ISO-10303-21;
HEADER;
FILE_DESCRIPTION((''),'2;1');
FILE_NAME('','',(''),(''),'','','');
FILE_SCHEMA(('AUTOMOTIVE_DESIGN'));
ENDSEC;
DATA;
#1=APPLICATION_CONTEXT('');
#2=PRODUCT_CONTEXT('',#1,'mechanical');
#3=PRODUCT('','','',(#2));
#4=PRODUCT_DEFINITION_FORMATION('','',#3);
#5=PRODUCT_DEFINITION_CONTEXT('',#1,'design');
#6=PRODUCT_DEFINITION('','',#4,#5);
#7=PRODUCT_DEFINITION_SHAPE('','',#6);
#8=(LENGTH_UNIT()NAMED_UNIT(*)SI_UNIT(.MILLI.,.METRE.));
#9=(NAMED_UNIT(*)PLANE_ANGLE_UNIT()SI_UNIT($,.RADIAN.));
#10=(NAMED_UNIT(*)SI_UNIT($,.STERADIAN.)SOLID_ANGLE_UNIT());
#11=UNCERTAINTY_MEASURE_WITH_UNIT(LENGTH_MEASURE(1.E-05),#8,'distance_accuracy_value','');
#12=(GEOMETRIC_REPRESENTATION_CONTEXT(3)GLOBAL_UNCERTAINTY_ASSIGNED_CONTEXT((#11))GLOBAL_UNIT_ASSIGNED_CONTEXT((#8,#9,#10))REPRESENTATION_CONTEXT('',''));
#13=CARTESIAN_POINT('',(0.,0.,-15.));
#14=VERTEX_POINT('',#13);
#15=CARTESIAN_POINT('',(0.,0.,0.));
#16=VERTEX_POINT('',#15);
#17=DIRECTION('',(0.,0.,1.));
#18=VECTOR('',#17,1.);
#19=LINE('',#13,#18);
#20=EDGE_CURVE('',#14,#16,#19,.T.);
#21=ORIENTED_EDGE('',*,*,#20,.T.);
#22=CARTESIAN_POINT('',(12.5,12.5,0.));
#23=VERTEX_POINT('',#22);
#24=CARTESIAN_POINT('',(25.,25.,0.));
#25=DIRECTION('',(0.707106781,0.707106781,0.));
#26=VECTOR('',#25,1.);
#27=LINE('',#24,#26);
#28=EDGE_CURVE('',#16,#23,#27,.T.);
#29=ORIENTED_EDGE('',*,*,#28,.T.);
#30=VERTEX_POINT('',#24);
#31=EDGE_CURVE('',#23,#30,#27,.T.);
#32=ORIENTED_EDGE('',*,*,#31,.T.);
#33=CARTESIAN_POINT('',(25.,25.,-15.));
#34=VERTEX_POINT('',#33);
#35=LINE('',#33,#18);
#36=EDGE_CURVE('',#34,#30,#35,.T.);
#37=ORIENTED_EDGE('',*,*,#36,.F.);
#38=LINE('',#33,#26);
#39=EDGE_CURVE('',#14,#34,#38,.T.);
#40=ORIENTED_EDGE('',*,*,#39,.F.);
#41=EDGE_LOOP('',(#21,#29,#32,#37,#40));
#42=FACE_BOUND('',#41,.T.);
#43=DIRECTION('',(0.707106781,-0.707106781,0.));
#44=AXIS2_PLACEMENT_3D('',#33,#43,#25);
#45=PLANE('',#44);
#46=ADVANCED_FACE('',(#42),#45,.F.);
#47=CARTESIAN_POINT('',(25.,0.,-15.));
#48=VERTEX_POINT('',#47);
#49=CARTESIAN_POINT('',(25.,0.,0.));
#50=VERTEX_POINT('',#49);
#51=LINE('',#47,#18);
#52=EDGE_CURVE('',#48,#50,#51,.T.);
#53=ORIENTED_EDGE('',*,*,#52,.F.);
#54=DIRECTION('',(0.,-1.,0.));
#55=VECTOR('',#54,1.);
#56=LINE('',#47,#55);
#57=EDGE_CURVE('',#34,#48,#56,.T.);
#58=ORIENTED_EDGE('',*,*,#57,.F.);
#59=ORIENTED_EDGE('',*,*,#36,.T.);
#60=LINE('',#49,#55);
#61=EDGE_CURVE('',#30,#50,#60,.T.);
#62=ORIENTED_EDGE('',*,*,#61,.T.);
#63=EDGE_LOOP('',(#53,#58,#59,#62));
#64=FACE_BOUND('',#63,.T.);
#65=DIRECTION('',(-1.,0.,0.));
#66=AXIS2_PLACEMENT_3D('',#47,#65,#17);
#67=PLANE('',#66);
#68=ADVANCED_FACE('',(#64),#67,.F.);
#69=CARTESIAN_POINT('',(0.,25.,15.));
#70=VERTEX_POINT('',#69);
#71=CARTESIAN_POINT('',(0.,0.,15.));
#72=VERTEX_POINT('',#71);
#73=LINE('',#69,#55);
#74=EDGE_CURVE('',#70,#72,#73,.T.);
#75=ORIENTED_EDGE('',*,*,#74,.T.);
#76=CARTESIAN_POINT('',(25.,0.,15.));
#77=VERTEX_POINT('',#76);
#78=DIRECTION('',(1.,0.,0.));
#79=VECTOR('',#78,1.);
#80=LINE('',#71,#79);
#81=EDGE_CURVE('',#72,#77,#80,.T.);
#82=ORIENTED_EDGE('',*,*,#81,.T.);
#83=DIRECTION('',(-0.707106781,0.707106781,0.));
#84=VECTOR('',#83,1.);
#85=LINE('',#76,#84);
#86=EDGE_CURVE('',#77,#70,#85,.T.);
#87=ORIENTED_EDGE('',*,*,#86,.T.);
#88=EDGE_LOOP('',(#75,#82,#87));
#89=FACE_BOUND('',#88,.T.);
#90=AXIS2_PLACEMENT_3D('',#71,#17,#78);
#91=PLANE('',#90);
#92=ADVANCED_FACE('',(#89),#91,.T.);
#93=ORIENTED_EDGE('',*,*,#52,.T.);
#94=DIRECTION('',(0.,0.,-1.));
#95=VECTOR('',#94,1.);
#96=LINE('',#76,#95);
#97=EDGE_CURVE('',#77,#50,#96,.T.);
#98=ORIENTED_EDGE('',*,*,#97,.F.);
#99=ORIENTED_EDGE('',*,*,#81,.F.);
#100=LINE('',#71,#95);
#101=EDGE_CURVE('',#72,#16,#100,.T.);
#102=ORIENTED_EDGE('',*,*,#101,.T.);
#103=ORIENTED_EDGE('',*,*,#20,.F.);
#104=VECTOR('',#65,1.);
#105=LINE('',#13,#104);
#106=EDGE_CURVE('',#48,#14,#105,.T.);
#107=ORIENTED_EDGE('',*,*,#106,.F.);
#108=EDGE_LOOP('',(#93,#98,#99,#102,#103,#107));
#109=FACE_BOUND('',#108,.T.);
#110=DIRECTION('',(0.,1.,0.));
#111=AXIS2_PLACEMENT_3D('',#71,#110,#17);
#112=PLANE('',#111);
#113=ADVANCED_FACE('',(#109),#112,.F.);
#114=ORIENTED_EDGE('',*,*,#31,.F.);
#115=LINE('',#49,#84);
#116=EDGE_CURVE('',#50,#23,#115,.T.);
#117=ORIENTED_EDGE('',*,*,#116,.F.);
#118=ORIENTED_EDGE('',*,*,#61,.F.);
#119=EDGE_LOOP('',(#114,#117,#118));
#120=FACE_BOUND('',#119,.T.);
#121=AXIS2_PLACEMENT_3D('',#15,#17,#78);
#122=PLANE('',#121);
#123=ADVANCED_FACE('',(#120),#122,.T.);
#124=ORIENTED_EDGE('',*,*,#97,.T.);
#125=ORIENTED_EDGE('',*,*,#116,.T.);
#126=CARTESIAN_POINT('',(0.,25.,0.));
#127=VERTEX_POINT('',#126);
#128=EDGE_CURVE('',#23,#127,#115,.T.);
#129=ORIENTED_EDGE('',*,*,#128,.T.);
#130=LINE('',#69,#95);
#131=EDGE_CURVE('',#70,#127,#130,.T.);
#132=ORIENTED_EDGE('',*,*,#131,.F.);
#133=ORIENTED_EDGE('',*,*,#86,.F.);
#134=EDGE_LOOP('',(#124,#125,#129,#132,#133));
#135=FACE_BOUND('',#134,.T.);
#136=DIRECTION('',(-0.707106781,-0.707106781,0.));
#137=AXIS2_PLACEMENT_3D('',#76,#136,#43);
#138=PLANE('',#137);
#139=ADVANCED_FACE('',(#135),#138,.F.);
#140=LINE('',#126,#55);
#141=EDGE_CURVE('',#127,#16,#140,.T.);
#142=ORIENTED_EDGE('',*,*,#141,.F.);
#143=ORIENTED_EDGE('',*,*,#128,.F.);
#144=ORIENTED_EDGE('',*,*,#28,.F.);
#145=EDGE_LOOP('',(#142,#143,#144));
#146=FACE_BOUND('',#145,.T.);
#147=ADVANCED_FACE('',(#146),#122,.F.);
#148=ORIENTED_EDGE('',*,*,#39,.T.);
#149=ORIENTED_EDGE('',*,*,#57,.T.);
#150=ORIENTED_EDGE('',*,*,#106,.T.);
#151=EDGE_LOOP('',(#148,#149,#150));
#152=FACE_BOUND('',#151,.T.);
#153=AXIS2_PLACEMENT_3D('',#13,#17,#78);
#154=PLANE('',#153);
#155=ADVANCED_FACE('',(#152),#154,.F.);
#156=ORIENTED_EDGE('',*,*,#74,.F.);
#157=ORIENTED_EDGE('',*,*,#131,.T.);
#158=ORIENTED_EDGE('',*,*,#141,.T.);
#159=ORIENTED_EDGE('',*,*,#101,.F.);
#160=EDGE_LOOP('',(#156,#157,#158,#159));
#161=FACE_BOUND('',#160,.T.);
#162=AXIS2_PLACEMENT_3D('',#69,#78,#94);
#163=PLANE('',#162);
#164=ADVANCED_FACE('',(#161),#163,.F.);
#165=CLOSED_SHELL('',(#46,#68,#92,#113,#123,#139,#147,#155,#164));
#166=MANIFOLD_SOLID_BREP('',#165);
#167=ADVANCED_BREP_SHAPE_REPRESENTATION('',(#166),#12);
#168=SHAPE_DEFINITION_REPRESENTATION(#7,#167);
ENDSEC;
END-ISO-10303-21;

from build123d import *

# Parameters (mm, degrees)
BOSS_EXTRUDE1_DEPTH = 15
BOSS_EXTRUDE2_DEPTH = 15


with BuildPart() as part:
    # Sketch1 → Boss-Extrude1 (new body)
    with BuildSketch(Plane.XY):
        Polygon((0, 25), (0, 0), (25, 0), align=None)
    extrude(amount=BOSS_EXTRUDE1_DEPTH)

    # Sketch2 → Boss-Extrude2 (add)
    with BuildSketch(Plane(origin=(0, 0, 0), x_dir=(-1, 0, 0), z_dir=(0, 0, -1))):
        Polygon((-25, 0), (-25, 25), (0, 0), align=None)
    extrude(amount=BOSS_EXTRUDE2_DEPTH)


solid = part.part
